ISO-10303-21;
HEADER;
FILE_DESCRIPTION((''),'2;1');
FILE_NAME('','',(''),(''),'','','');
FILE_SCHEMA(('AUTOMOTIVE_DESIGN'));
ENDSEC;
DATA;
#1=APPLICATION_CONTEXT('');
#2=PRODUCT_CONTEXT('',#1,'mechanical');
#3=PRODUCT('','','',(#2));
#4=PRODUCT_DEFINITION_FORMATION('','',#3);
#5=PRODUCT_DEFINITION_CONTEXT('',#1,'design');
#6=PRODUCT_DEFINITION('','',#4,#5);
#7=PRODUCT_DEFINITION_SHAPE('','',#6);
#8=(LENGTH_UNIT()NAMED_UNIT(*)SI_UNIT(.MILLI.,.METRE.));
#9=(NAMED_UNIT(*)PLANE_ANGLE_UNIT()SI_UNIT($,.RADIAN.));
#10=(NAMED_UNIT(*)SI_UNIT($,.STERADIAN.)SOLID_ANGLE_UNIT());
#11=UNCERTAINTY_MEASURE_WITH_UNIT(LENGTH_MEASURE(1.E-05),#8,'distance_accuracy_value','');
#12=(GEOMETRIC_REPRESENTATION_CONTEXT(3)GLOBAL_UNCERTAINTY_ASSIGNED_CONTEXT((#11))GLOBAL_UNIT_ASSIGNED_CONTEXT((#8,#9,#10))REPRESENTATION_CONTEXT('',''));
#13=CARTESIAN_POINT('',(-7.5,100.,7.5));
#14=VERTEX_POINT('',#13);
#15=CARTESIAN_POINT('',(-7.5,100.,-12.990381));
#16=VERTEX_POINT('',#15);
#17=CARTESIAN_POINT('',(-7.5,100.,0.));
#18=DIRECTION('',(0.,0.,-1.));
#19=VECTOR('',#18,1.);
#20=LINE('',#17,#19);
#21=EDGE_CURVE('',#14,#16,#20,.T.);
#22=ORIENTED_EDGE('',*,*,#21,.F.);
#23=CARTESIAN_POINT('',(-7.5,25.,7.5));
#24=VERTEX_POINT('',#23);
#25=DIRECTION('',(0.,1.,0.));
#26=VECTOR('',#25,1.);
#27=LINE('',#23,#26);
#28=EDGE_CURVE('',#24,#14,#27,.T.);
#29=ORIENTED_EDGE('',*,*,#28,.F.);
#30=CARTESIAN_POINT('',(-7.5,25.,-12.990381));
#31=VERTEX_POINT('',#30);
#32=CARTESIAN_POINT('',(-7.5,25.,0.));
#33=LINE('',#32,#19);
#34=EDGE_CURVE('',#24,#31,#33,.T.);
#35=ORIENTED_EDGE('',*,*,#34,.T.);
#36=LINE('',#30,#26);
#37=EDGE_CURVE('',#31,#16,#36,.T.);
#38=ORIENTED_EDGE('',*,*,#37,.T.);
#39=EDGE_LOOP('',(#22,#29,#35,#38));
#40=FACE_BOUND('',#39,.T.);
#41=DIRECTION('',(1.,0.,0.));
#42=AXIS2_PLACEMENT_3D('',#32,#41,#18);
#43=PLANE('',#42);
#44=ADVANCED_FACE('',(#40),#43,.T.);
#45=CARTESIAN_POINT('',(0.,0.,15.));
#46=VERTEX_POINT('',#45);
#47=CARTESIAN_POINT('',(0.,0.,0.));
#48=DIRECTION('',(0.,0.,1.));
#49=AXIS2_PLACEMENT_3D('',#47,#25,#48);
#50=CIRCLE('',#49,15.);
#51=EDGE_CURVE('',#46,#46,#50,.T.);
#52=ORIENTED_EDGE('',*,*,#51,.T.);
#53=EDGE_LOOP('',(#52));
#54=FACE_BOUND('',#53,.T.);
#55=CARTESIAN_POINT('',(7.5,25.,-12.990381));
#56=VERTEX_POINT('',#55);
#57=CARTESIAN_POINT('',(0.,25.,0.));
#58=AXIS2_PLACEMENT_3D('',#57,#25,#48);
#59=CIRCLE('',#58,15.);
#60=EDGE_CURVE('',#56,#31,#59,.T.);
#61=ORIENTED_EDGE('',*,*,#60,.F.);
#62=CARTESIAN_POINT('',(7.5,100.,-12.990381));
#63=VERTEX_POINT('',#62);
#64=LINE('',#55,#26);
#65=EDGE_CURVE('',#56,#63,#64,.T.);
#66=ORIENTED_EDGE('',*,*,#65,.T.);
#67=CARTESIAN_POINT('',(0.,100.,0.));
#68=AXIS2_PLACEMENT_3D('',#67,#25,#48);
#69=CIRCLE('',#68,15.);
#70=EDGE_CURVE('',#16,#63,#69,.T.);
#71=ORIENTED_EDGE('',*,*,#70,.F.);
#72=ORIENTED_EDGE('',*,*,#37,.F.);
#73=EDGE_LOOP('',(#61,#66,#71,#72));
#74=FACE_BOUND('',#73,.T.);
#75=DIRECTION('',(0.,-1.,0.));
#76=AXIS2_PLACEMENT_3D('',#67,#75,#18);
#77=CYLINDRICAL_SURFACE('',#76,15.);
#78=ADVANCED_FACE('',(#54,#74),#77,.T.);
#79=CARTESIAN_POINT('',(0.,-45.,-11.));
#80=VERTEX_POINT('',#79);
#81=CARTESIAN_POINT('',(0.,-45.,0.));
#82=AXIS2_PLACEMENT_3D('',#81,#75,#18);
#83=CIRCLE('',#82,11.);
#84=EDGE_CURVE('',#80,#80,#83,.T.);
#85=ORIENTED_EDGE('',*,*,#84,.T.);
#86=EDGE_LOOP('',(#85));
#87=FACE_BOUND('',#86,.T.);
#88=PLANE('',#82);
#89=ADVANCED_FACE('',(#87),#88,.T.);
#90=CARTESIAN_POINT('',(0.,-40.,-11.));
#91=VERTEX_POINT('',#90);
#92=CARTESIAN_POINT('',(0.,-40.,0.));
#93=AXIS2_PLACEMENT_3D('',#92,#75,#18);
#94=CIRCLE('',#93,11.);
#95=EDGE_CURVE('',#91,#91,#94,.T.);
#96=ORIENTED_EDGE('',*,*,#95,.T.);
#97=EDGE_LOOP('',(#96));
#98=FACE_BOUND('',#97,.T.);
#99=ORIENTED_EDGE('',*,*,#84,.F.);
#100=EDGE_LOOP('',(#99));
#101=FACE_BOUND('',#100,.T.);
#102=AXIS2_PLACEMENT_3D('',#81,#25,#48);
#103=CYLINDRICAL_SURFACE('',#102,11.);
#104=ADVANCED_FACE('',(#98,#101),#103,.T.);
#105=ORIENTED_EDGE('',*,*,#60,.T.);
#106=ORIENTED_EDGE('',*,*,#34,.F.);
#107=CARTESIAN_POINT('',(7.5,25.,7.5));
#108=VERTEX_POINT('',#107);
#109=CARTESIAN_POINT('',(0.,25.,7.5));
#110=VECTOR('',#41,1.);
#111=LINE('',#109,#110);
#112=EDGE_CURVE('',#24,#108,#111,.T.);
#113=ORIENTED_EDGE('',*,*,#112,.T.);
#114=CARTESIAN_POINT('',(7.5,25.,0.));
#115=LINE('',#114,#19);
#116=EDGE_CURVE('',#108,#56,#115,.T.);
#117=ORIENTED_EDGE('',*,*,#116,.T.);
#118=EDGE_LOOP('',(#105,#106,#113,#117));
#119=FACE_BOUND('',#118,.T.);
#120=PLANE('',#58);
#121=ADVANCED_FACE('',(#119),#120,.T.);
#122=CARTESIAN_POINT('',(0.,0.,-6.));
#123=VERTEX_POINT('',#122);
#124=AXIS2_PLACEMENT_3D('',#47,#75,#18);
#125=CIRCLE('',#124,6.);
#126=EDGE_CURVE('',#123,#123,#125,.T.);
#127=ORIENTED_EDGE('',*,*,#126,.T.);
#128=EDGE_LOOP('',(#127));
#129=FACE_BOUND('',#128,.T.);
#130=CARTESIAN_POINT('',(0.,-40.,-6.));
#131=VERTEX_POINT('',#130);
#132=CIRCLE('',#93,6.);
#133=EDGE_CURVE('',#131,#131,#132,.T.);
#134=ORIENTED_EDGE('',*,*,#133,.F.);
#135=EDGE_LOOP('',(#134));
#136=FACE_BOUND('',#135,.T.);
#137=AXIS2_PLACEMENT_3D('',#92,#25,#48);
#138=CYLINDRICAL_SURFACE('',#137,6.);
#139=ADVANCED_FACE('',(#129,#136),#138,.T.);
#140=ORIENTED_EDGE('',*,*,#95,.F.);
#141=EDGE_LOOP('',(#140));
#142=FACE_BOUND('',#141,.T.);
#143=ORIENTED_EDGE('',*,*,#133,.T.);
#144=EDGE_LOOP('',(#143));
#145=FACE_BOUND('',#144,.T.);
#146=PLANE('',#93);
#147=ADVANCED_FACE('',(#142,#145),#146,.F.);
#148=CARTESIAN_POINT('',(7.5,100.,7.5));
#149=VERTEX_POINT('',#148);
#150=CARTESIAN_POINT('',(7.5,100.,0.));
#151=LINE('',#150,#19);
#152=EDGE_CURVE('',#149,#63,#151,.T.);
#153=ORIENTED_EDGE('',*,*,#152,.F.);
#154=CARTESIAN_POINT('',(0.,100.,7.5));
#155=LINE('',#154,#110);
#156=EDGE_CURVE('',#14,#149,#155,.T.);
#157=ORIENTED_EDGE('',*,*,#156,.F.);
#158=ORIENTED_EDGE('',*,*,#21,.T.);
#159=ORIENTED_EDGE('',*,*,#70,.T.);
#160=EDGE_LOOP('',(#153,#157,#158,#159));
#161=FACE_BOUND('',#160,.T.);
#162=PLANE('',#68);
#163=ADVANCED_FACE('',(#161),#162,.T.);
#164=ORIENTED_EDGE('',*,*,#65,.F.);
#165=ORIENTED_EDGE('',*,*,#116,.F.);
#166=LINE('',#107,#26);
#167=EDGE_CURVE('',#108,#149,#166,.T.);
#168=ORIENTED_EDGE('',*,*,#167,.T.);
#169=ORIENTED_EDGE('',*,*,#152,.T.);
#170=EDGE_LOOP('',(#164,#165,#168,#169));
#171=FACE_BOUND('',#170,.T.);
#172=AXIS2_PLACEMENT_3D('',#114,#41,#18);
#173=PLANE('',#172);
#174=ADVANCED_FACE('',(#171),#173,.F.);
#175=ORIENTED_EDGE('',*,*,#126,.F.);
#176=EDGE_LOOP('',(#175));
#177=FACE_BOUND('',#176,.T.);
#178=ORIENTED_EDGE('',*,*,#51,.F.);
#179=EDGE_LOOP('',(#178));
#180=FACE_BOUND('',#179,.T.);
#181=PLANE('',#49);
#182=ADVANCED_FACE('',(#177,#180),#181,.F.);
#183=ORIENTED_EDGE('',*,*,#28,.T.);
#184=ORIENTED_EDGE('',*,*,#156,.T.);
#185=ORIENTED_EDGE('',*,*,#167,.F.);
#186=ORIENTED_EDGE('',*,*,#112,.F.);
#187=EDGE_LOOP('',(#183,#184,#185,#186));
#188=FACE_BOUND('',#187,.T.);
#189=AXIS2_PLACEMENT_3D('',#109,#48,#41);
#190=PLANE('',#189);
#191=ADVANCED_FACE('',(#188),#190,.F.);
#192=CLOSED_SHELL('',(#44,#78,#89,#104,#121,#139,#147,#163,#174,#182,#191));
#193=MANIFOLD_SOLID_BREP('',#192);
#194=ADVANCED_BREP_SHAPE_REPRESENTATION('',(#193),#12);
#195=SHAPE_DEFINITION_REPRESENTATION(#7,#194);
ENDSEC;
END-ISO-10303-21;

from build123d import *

# Parameters (mm, degrees)
SKETCH1_R           = 15
BOSS_EXTRUDE1_DEPTH = 100
SKETCH3_W           = 15
SKETCH3_H           = 15
CUT_EXTRUDE2_DEPTH  = 75
SKETCH2_R           = 6
BOSS_EXTRUDE2_DEPTH = 40
SKETCH4_R           = 11
BOSS_EXTRUDE3_DEPTH = 5


with BuildPart() as part:
    # Sketch1 → Boss-Extrude1 (new body)
    with BuildSketch(Plane(origin=(0, 0, 0), x_dir=(1, 0, 0), z_dir=(0, 1, 0))):
        Circle(SKETCH1_R)
    extrude(amount=BOSS_EXTRUDE1_DEPTH)

    # Sketch3 → Cut-Extrude2 (cut)
    with BuildSketch(Plane(origin=(0, 100, 0), x_dir=(1, 0, 0), z_dir=(0, 1, 0))):
        Rectangle(SKETCH3_W, SKETCH3_H)
        with BuildLine():
            Line((-7.5, 12.990381057), (-7.5, 7.5))
            Line((-7.5, 7.5), (7.5, 7.5))
            Line((7.5, 7.5), (7.5, 12.990381057))
            ThreePointArc((7.5, 12.990381057), (3.882285677, 14.488887394), (0, 15))
            ThreePointArc((0, 15), (-3.882285677, 14.488887394), (-7.5, 12.990381057))
        make_face()
    extrude(amount=-CUT_EXTRUDE2_DEPTH, mode=Mode.SUBTRACT)

    # Sketch2 → Boss-Extrude2 (add)
    with BuildSketch(Plane.XZ):
        Circle(SKETCH2_R)
    extrude(amount=BOSS_EXTRUDE2_DEPTH)

    # Sketch4 → Boss-Extrude3 (add)
    with BuildSketch(Plane(origin=(0, -40, 0), x_dir=(-1, 0, 0), z_dir=(0, -1, 0))):
        Circle(SKETCH4_R)
    extrude(amount=BOSS_EXTRUDE3_DEPTH)


solid = part.part
